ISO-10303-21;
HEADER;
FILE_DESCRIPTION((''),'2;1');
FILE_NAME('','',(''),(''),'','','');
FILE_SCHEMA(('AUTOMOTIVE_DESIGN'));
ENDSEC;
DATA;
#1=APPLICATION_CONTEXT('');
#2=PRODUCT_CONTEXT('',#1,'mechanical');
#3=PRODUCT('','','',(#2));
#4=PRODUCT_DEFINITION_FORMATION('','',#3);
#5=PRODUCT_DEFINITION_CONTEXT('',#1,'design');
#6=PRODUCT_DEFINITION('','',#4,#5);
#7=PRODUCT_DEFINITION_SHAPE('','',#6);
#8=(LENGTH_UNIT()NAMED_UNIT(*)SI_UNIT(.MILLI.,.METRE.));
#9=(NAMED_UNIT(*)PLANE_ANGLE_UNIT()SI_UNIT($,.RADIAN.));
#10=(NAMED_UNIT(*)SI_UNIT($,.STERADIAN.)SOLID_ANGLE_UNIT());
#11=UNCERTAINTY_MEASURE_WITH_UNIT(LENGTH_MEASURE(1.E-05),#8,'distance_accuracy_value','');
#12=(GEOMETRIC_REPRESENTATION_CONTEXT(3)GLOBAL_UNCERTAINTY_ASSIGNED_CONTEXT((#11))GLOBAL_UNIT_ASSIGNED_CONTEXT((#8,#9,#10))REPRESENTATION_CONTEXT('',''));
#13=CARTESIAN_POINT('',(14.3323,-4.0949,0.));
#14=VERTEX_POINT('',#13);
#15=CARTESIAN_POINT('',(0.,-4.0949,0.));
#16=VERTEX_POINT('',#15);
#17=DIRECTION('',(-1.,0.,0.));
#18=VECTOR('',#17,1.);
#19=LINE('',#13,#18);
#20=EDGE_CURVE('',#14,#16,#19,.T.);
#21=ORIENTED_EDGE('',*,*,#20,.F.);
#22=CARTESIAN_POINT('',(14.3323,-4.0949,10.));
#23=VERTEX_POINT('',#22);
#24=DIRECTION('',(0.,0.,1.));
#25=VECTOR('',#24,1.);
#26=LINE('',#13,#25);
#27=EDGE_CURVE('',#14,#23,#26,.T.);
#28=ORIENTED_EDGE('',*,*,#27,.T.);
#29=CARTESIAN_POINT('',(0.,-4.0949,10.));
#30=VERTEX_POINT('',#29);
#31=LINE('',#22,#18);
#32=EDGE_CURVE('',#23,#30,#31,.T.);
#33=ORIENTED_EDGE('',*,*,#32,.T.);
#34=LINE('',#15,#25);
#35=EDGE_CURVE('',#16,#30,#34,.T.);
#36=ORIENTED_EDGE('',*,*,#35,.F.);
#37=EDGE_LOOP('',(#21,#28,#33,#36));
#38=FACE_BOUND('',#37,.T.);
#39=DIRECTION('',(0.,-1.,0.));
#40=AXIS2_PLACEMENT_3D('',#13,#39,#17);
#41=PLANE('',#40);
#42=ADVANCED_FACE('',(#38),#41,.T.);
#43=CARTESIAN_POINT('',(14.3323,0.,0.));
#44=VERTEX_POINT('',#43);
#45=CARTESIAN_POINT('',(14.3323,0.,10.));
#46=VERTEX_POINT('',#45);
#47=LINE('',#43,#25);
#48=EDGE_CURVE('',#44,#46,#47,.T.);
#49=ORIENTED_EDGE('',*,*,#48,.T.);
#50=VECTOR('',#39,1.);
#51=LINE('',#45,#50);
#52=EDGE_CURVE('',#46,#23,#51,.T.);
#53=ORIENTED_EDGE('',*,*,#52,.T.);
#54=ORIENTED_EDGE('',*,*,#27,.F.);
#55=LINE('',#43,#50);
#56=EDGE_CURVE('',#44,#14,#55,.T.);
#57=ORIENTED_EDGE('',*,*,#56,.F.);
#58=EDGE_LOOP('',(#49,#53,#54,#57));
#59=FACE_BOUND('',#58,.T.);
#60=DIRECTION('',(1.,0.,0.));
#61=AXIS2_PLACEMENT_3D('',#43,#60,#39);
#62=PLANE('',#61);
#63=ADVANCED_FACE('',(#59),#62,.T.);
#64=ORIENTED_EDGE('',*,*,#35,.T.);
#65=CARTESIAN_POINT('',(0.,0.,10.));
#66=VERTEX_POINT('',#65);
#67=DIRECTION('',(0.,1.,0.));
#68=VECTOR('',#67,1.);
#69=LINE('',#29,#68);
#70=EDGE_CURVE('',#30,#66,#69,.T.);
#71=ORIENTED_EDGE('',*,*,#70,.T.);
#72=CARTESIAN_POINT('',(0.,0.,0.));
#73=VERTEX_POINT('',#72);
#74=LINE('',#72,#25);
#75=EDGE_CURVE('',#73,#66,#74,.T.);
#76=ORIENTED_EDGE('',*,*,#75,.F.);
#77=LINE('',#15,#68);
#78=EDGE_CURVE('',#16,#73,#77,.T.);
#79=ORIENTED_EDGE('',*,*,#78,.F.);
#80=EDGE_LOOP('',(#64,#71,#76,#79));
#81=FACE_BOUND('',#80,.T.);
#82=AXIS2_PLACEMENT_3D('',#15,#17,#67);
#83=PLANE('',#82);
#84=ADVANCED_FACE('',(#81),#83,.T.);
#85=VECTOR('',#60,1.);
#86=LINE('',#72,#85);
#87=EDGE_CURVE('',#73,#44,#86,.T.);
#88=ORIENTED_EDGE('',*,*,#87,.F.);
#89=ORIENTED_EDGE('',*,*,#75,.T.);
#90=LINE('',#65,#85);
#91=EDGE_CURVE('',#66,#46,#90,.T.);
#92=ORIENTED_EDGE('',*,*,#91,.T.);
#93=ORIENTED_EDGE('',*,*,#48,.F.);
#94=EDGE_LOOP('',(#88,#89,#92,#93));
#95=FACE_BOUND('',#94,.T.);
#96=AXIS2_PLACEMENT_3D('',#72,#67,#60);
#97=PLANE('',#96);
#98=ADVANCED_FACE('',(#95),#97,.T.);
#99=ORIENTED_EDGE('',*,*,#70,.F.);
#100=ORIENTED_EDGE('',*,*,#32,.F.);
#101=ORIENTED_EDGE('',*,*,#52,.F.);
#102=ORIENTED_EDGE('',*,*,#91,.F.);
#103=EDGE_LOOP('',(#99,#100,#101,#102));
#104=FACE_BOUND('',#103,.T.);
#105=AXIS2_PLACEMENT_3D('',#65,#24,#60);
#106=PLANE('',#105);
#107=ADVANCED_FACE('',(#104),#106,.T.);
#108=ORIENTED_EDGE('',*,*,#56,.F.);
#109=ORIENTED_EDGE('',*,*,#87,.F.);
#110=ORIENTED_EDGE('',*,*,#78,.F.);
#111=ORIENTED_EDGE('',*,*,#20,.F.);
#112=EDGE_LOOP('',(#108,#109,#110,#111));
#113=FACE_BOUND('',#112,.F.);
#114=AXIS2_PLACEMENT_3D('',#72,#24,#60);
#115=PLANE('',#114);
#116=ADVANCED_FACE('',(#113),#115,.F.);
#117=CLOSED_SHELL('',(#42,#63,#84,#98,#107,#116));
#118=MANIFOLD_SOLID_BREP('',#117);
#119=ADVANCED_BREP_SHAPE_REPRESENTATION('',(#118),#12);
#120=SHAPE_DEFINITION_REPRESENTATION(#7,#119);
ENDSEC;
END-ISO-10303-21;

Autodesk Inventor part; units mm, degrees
ref_plane "YZ Plane" through (0, 0, 0) normal (1, 0, 0) x (0, 1, 0)
ref_plane "XZ Plane" through (0, 0, 0) normal (0, 1, 0) x (-1, 0, 0)
ref_plane "XY Plane" through (0, 0, 0) normal (0, 0, 1) x (1, 0, 0)
sketch "Skizze1" plane through (0, 0, 0) normal (0, 0, 1) x (1, 0, 0)
  line L0 (0, 0) -> (14.3323, 0)
  line L1 (14.3323, 0) -> (14.3323, -4.0949)
  line L2 (14.3323, -4.0949) -> (0, -4.0949)
  line L3 (0, -4.0949) -> (0, 0)
extrude "Extrusion1" add sketch "Skizze1" along normal blind 10
properties part number "00_JST_4x_200mm"
